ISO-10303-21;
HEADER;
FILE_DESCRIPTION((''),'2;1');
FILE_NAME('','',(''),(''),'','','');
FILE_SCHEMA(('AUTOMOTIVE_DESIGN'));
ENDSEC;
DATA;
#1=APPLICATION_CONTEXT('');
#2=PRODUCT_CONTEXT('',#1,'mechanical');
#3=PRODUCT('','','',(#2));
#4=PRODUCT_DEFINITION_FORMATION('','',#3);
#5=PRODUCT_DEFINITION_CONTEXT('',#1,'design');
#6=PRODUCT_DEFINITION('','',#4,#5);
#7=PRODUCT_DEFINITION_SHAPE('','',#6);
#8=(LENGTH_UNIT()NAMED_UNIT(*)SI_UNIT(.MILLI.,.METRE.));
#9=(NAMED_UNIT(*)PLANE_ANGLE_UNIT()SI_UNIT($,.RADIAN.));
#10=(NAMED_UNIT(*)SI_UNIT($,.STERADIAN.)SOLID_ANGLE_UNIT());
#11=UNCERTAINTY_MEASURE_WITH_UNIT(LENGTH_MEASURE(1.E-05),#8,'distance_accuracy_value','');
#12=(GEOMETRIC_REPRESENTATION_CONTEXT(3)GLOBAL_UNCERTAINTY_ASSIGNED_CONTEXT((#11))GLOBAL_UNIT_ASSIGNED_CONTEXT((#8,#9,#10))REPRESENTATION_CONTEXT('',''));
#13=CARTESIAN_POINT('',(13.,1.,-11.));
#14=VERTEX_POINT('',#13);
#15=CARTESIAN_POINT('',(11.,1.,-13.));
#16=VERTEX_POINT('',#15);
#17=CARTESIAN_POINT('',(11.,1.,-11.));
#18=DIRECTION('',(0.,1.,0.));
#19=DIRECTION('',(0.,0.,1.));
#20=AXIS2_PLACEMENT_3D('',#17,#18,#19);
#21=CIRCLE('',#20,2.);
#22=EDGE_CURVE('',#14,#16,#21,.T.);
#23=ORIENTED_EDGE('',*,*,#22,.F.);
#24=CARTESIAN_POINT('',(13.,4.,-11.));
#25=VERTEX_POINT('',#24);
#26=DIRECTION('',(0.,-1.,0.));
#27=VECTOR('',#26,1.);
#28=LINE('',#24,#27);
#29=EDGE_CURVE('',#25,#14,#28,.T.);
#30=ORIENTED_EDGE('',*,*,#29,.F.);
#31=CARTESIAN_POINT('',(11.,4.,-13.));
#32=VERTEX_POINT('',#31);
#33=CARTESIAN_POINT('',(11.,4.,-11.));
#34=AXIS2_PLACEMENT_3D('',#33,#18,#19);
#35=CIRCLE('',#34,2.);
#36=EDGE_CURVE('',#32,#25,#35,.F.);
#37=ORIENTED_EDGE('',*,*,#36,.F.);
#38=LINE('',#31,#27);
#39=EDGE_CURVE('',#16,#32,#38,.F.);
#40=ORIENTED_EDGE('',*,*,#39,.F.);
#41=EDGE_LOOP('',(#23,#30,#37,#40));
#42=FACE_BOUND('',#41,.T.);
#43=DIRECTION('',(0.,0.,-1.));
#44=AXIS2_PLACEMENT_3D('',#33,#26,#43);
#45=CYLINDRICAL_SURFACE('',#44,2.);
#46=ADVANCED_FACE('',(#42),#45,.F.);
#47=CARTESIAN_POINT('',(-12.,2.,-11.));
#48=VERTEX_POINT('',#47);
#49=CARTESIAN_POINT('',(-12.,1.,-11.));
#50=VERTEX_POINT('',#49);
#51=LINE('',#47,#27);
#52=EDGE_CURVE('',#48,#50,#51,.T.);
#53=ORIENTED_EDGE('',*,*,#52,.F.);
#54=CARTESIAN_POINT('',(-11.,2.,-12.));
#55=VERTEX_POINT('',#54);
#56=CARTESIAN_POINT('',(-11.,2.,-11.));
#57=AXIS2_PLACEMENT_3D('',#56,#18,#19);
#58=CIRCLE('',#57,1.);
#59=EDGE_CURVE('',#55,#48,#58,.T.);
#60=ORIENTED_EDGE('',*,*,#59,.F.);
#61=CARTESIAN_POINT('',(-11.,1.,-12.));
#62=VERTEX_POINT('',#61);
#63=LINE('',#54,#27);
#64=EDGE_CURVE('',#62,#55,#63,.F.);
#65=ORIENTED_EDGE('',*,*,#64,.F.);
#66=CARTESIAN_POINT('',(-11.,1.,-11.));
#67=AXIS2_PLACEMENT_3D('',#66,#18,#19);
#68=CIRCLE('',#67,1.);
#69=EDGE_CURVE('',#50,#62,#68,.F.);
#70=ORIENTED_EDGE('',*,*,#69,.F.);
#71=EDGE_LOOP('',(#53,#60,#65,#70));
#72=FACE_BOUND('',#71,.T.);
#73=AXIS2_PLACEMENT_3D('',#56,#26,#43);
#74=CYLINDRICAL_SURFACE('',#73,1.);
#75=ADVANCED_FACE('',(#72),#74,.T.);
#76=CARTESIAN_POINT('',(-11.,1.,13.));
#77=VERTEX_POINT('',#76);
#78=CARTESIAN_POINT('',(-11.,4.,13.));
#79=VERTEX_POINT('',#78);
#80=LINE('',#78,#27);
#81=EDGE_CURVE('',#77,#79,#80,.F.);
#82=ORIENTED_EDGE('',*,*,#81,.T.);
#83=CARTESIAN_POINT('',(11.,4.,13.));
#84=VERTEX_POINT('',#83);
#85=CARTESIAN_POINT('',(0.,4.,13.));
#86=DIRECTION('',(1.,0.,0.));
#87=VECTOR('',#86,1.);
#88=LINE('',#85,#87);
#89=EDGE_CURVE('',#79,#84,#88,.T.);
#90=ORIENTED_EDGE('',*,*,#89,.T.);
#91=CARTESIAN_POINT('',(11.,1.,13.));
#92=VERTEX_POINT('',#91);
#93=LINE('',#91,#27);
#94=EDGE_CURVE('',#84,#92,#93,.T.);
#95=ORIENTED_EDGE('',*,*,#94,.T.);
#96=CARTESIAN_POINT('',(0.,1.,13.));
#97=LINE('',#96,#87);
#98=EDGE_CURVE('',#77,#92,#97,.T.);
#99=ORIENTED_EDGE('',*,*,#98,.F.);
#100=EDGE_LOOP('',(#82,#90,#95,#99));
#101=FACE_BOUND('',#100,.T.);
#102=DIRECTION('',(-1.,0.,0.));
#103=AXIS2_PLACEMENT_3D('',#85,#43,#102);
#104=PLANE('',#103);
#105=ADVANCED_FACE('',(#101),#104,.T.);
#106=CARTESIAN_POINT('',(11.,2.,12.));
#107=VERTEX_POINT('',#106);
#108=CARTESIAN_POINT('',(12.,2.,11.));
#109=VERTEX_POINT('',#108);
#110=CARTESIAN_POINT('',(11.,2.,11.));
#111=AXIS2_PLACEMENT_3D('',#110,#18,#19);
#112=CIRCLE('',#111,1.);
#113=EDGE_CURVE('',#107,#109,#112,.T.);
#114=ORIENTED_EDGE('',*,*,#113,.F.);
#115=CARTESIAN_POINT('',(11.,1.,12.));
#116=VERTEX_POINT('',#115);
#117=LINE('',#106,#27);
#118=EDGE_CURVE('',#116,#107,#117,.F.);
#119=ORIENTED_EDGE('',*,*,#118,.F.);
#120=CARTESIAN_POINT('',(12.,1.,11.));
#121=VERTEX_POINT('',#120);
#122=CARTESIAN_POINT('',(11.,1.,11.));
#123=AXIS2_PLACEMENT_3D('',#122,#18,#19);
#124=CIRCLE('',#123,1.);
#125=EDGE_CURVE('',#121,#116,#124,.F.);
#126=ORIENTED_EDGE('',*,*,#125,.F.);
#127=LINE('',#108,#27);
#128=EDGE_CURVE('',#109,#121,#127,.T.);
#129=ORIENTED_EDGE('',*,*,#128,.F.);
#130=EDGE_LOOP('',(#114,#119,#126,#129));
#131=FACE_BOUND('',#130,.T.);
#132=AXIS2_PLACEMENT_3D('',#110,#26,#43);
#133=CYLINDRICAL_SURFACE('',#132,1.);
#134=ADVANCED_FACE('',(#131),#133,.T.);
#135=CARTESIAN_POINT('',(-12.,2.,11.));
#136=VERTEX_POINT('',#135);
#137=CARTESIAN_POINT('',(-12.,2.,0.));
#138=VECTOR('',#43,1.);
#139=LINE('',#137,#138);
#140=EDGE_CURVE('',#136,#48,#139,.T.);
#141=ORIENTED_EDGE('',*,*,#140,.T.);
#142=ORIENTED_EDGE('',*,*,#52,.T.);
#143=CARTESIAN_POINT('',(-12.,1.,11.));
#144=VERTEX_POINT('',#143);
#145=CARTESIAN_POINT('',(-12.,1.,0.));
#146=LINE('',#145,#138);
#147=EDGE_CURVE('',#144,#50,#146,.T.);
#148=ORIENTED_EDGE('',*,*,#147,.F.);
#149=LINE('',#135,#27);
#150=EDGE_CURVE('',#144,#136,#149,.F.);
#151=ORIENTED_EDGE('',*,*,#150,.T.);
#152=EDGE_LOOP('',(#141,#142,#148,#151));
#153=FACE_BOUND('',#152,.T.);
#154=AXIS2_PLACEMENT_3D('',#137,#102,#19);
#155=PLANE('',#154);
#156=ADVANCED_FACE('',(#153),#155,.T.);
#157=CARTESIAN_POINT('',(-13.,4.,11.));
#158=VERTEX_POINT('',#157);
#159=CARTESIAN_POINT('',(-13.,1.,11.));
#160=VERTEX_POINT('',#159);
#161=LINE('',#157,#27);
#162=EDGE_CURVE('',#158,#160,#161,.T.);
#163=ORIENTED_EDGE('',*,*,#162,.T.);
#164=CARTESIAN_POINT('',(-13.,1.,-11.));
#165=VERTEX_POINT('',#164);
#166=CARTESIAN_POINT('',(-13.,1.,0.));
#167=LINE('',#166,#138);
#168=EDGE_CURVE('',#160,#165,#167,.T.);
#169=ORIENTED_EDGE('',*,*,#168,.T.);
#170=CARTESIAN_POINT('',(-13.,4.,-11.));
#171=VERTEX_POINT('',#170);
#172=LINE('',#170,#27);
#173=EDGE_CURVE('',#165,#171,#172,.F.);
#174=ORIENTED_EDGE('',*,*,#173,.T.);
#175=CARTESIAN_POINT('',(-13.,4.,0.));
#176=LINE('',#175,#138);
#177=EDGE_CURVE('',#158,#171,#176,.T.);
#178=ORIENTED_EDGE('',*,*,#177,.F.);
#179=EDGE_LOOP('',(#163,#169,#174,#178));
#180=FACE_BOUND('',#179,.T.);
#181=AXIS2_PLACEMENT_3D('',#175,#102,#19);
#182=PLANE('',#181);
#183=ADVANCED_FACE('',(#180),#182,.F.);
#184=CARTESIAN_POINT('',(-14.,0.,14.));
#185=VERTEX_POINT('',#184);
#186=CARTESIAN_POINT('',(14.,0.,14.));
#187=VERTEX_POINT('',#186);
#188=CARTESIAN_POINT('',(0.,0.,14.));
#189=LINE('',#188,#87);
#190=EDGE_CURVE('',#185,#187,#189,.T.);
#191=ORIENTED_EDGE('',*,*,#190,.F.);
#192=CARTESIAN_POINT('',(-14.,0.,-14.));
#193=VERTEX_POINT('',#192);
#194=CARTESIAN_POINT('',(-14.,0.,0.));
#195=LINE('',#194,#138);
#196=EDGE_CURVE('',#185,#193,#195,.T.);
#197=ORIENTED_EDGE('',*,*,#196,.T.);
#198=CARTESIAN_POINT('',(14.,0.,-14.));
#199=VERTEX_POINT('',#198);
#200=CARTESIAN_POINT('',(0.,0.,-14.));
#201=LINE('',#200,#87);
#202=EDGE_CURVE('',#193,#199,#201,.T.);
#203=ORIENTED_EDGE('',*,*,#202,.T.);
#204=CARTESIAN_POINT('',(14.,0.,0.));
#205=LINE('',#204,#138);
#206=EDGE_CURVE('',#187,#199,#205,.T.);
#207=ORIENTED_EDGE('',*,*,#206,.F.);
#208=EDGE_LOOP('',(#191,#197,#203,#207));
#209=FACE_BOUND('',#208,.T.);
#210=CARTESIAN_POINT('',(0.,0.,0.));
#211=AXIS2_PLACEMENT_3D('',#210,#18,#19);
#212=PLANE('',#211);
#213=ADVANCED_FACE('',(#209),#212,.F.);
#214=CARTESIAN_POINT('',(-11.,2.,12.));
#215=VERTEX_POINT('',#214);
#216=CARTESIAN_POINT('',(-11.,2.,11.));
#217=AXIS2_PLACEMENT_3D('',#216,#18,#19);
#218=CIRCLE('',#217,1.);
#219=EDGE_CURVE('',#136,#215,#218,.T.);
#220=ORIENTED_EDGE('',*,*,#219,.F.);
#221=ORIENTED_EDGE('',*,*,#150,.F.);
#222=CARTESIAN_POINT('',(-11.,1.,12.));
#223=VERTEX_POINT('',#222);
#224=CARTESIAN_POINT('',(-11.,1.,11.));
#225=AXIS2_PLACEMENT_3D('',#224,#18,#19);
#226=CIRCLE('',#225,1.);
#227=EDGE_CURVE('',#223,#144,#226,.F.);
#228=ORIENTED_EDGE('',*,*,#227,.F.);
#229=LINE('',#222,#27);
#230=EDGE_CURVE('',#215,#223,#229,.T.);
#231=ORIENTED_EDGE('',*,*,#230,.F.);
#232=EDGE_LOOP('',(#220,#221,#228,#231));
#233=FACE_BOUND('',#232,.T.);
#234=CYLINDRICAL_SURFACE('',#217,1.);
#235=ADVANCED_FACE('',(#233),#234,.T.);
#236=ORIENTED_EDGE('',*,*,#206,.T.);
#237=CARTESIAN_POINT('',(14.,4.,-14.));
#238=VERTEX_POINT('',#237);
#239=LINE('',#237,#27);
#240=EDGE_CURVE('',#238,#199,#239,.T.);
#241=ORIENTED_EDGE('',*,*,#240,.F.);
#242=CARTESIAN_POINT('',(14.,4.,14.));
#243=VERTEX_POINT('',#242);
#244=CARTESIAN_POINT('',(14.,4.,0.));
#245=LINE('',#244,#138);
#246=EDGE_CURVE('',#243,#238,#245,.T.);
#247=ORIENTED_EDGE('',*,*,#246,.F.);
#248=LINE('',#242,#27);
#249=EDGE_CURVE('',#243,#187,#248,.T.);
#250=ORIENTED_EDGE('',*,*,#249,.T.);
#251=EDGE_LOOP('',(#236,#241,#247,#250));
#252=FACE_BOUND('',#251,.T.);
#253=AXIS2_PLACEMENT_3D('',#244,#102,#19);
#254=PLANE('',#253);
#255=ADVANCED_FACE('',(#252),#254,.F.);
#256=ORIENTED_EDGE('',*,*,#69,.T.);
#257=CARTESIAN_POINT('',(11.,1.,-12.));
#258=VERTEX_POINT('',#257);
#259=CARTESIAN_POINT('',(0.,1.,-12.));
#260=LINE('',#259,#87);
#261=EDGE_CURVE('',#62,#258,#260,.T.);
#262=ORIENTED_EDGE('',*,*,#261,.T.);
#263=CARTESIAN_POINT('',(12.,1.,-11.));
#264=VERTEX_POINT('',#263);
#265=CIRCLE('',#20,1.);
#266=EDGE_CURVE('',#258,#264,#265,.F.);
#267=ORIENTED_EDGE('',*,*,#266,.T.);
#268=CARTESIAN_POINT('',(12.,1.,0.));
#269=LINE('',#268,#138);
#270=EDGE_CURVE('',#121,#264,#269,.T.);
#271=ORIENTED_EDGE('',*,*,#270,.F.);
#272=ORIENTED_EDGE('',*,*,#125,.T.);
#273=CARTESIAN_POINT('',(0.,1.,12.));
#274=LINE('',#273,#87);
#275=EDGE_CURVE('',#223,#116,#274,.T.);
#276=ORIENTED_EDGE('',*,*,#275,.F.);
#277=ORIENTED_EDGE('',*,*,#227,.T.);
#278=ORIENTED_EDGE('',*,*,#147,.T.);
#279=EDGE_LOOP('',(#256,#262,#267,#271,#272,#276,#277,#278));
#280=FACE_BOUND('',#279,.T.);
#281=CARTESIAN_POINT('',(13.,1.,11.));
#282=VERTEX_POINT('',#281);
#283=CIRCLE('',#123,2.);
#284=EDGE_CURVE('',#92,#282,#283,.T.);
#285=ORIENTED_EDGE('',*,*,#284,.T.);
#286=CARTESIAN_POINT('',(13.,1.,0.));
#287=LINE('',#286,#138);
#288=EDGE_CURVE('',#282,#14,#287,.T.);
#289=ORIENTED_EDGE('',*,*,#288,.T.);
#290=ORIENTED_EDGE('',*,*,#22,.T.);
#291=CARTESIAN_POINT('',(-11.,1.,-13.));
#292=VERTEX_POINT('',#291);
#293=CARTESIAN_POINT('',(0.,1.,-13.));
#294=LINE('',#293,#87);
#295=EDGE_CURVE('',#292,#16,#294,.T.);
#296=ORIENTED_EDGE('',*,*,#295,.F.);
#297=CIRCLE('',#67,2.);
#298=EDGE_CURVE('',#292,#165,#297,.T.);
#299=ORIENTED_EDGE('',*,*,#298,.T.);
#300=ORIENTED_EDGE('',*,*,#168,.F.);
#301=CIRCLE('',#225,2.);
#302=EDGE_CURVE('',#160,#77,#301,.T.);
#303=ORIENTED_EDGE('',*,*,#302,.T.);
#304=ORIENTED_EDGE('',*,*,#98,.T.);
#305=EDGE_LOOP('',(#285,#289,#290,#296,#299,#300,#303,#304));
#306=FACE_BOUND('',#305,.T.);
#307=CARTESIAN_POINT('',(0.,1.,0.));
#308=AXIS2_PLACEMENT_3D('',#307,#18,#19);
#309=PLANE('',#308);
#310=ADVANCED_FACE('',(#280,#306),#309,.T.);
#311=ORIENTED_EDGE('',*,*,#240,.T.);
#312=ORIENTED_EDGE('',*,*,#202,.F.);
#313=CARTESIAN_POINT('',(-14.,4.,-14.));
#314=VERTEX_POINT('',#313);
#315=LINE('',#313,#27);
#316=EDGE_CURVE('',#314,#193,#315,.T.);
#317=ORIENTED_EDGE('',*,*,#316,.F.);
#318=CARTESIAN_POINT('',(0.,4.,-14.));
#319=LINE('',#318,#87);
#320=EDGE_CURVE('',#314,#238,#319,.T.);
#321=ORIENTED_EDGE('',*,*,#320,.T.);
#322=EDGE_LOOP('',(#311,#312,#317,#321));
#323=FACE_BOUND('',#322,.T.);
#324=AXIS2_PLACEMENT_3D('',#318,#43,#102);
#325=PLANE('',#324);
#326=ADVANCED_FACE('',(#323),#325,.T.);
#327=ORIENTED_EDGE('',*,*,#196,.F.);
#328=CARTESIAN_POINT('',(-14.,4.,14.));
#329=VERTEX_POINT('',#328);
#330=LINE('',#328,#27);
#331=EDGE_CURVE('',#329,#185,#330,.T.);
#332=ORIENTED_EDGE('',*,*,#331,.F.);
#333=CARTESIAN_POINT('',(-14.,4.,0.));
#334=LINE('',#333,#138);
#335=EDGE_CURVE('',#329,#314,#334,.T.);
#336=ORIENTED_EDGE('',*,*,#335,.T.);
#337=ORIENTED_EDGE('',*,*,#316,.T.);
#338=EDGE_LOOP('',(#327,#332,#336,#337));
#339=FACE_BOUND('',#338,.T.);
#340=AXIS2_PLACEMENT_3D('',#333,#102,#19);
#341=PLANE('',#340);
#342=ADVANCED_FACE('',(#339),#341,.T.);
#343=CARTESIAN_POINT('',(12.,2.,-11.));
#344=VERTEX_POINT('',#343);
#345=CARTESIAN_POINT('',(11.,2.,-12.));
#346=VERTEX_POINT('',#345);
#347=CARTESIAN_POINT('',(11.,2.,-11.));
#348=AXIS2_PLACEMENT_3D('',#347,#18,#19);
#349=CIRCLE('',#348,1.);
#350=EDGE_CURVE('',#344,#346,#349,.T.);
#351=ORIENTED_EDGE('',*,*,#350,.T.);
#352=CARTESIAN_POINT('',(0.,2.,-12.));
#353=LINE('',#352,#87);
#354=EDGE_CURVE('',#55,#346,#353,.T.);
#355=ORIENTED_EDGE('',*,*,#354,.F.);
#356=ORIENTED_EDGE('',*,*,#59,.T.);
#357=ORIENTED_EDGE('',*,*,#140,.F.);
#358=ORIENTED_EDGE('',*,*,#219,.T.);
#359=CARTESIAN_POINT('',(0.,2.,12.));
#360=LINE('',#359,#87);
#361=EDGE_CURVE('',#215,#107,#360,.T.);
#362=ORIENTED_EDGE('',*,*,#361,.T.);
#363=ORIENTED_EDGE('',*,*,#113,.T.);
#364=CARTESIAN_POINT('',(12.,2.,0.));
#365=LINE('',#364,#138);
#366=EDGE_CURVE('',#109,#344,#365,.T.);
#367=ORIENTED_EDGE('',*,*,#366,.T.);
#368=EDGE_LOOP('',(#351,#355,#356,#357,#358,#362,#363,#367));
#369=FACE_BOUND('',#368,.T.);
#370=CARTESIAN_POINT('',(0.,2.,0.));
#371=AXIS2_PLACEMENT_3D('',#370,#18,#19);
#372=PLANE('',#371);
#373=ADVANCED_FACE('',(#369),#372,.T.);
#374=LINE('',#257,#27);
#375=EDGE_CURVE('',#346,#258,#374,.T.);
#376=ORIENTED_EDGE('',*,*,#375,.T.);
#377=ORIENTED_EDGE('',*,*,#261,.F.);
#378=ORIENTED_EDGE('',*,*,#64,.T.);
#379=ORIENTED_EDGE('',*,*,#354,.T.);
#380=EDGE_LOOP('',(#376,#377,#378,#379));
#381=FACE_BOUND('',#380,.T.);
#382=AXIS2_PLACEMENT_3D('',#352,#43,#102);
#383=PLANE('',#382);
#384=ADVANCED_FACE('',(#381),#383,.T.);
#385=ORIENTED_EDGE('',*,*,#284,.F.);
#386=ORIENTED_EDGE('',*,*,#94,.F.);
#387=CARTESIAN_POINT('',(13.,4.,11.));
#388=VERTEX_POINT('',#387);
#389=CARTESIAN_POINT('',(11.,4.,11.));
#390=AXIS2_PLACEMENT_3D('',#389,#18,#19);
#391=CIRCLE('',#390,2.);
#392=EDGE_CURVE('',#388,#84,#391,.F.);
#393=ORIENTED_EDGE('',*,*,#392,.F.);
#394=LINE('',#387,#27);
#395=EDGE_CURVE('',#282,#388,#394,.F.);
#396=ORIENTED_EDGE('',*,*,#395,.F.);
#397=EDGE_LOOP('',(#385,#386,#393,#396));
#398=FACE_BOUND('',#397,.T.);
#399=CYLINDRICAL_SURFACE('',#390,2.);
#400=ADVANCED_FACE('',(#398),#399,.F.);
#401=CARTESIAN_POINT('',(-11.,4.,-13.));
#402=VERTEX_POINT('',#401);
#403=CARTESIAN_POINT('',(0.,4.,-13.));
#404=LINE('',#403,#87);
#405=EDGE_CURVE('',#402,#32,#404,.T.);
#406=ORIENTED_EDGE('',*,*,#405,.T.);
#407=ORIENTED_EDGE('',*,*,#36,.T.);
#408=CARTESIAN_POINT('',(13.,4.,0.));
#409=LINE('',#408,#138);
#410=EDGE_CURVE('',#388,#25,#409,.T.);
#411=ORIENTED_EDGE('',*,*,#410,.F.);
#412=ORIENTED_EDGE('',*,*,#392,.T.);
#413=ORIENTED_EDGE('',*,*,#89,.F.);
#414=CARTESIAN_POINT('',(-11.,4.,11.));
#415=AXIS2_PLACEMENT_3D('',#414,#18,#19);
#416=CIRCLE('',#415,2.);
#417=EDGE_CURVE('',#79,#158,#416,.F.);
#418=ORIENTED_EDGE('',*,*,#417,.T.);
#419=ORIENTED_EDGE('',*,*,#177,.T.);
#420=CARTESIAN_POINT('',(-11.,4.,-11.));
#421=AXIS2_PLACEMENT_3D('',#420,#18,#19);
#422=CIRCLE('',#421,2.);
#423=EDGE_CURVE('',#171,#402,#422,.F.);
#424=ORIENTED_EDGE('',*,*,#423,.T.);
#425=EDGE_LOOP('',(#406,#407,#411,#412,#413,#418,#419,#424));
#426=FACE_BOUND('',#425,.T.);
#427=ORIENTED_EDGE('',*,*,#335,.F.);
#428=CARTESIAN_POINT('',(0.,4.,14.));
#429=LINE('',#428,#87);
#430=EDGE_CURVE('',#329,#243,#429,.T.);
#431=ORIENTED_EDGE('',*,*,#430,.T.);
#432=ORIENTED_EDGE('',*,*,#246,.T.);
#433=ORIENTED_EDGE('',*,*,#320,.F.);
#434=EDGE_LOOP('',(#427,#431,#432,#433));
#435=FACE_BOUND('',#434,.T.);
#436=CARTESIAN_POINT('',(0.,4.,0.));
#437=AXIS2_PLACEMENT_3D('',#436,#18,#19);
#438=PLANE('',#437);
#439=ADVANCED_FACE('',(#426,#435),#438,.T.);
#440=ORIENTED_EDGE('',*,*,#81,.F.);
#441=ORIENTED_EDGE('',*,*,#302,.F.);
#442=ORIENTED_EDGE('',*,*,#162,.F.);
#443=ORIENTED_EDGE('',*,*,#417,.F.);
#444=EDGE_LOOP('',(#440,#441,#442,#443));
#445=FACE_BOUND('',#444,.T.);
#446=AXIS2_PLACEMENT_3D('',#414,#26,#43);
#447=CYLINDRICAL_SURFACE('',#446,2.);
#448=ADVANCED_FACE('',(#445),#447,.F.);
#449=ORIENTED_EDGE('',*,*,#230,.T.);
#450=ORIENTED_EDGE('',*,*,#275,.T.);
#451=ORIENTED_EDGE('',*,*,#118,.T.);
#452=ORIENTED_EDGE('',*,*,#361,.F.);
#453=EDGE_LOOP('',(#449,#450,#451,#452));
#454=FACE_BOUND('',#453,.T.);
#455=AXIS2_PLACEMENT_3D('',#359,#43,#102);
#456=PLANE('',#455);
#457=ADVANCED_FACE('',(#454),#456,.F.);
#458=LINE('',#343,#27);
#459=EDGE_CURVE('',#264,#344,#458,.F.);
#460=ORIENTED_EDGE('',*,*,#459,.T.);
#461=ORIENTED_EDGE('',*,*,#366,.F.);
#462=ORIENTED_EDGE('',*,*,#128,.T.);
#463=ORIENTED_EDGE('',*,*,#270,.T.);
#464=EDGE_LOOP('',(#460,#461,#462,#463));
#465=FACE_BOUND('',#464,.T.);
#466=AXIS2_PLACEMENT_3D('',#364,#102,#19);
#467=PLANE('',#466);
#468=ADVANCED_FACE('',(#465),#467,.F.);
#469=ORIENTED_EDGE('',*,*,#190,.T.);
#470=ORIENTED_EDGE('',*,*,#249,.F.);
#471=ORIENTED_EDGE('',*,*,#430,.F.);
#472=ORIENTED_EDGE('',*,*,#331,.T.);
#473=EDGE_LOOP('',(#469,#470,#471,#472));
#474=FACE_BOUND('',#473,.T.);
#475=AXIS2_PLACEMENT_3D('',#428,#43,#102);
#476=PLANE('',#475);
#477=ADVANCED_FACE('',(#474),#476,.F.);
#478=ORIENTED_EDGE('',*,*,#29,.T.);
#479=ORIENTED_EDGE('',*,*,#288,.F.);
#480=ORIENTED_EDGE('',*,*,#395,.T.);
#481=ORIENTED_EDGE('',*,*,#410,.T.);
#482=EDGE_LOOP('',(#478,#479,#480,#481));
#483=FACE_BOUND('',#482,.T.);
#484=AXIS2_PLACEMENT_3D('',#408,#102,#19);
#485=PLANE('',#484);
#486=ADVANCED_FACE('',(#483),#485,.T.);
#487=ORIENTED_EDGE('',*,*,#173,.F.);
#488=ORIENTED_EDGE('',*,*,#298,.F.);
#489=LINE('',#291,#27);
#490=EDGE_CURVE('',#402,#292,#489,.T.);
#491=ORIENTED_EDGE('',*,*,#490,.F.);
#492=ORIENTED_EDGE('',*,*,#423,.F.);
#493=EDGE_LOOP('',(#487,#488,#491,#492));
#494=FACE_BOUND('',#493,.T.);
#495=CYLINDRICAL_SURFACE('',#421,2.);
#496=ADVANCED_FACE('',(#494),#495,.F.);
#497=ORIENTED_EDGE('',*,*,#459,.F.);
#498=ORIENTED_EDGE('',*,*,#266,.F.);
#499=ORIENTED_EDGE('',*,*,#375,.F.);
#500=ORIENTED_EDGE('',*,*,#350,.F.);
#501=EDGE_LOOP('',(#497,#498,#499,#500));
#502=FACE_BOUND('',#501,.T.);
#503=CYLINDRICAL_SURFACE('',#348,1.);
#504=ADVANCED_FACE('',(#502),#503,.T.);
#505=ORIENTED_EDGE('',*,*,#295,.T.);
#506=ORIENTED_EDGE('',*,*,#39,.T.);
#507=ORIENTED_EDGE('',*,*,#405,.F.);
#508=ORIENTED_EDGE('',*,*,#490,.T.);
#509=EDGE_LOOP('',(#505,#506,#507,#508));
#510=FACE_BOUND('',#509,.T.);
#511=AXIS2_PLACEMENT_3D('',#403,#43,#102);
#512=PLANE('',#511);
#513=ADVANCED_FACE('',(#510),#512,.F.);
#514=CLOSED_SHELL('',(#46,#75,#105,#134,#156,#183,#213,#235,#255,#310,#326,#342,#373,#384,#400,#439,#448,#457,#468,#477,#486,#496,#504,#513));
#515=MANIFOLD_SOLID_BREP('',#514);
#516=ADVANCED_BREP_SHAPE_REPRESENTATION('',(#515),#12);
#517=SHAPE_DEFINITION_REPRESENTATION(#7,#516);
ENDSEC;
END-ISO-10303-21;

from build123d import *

# Parameters (mm, degrees)
SKETCH1_W           = 26
SKETCH1_H           = 26
SKETCH1_W_2         = 24
SKETCH1_H_2         = 24
BOSS_EXTRUDE1_DEPTH = 1
SKETCH1_3_W         = 24
SKETCH1_3_H         = 24
BOSS_EXTRUDE2_DEPTH = 2
SKETCH1_4_W         = 28
SKETCH1_4_H         = 28
SKETCH1_4_W_2       = 26
SKETCH1_4_H_2       = 26
BOSS_EXTRUDE3_DEPTH = 4
FILLET1_R           = 1
FILLET2_R           = 2


with BuildPart() as part:
    # Sketch1 → Boss-Extrude1 (new body)
    with BuildSketch(Plane(origin=(0, 0, 0), x_dir=(1, 0, 0), z_dir=(0, 1, 0))):
        Rectangle(SKETCH1_W, SKETCH1_H)
        Rectangle(SKETCH1_W_2, SKETCH1_H_2, mode=Mode.SUBTRACT)
    extrude(amount=BOSS_EXTRUDE1_DEPTH)

    # Sketch1<3> → Boss-Extrude2 (add)
    with BuildSketch(Plane(origin=(0, 0, 0), x_dir=(1, 0, 0), z_dir=(0, 1, 0))):
        Rectangle(SKETCH1_3_W, SKETCH1_3_H)
    extrude(amount=BOSS_EXTRUDE2_DEPTH)

    # Sketch1<4> → Boss-Extrude3 (add)
    with BuildSketch(Plane(origin=(0, 0, 0), x_dir=(1, 0, 0), z_dir=(0, 1, 0))):
        Rectangle(SKETCH1_4_W, SKETCH1_4_H)
        Rectangle(SKETCH1_4_W_2, SKETCH1_4_H_2, mode=Mode.SUBTRACT)
    extrude(amount=BOSS_EXTRUDE3_DEPTH)

    # Fillet1
    fillet1_edges = [part.edges().sort_by_distance(p)[0] for p in [
        (-12, 1.5, 12),
        (12, 1.5, 12),
        (12, 1.5, -12),
        (-12, 1.5, -12),
    ]]
    fillet(fillet1_edges, radius=FILLET1_R)

    # Fillet2
    fillet2_edges = [part.edges().sort_by_distance(p)[0] for p in [
        (13, 2.5, -13),
        (13, 2.5, 13),
        (-13, 2.5, 13),
        (-13, 2.5, -13),
    ]]
    fillet(fillet2_edges, radius=FILLET2_R)


solid = part.part
